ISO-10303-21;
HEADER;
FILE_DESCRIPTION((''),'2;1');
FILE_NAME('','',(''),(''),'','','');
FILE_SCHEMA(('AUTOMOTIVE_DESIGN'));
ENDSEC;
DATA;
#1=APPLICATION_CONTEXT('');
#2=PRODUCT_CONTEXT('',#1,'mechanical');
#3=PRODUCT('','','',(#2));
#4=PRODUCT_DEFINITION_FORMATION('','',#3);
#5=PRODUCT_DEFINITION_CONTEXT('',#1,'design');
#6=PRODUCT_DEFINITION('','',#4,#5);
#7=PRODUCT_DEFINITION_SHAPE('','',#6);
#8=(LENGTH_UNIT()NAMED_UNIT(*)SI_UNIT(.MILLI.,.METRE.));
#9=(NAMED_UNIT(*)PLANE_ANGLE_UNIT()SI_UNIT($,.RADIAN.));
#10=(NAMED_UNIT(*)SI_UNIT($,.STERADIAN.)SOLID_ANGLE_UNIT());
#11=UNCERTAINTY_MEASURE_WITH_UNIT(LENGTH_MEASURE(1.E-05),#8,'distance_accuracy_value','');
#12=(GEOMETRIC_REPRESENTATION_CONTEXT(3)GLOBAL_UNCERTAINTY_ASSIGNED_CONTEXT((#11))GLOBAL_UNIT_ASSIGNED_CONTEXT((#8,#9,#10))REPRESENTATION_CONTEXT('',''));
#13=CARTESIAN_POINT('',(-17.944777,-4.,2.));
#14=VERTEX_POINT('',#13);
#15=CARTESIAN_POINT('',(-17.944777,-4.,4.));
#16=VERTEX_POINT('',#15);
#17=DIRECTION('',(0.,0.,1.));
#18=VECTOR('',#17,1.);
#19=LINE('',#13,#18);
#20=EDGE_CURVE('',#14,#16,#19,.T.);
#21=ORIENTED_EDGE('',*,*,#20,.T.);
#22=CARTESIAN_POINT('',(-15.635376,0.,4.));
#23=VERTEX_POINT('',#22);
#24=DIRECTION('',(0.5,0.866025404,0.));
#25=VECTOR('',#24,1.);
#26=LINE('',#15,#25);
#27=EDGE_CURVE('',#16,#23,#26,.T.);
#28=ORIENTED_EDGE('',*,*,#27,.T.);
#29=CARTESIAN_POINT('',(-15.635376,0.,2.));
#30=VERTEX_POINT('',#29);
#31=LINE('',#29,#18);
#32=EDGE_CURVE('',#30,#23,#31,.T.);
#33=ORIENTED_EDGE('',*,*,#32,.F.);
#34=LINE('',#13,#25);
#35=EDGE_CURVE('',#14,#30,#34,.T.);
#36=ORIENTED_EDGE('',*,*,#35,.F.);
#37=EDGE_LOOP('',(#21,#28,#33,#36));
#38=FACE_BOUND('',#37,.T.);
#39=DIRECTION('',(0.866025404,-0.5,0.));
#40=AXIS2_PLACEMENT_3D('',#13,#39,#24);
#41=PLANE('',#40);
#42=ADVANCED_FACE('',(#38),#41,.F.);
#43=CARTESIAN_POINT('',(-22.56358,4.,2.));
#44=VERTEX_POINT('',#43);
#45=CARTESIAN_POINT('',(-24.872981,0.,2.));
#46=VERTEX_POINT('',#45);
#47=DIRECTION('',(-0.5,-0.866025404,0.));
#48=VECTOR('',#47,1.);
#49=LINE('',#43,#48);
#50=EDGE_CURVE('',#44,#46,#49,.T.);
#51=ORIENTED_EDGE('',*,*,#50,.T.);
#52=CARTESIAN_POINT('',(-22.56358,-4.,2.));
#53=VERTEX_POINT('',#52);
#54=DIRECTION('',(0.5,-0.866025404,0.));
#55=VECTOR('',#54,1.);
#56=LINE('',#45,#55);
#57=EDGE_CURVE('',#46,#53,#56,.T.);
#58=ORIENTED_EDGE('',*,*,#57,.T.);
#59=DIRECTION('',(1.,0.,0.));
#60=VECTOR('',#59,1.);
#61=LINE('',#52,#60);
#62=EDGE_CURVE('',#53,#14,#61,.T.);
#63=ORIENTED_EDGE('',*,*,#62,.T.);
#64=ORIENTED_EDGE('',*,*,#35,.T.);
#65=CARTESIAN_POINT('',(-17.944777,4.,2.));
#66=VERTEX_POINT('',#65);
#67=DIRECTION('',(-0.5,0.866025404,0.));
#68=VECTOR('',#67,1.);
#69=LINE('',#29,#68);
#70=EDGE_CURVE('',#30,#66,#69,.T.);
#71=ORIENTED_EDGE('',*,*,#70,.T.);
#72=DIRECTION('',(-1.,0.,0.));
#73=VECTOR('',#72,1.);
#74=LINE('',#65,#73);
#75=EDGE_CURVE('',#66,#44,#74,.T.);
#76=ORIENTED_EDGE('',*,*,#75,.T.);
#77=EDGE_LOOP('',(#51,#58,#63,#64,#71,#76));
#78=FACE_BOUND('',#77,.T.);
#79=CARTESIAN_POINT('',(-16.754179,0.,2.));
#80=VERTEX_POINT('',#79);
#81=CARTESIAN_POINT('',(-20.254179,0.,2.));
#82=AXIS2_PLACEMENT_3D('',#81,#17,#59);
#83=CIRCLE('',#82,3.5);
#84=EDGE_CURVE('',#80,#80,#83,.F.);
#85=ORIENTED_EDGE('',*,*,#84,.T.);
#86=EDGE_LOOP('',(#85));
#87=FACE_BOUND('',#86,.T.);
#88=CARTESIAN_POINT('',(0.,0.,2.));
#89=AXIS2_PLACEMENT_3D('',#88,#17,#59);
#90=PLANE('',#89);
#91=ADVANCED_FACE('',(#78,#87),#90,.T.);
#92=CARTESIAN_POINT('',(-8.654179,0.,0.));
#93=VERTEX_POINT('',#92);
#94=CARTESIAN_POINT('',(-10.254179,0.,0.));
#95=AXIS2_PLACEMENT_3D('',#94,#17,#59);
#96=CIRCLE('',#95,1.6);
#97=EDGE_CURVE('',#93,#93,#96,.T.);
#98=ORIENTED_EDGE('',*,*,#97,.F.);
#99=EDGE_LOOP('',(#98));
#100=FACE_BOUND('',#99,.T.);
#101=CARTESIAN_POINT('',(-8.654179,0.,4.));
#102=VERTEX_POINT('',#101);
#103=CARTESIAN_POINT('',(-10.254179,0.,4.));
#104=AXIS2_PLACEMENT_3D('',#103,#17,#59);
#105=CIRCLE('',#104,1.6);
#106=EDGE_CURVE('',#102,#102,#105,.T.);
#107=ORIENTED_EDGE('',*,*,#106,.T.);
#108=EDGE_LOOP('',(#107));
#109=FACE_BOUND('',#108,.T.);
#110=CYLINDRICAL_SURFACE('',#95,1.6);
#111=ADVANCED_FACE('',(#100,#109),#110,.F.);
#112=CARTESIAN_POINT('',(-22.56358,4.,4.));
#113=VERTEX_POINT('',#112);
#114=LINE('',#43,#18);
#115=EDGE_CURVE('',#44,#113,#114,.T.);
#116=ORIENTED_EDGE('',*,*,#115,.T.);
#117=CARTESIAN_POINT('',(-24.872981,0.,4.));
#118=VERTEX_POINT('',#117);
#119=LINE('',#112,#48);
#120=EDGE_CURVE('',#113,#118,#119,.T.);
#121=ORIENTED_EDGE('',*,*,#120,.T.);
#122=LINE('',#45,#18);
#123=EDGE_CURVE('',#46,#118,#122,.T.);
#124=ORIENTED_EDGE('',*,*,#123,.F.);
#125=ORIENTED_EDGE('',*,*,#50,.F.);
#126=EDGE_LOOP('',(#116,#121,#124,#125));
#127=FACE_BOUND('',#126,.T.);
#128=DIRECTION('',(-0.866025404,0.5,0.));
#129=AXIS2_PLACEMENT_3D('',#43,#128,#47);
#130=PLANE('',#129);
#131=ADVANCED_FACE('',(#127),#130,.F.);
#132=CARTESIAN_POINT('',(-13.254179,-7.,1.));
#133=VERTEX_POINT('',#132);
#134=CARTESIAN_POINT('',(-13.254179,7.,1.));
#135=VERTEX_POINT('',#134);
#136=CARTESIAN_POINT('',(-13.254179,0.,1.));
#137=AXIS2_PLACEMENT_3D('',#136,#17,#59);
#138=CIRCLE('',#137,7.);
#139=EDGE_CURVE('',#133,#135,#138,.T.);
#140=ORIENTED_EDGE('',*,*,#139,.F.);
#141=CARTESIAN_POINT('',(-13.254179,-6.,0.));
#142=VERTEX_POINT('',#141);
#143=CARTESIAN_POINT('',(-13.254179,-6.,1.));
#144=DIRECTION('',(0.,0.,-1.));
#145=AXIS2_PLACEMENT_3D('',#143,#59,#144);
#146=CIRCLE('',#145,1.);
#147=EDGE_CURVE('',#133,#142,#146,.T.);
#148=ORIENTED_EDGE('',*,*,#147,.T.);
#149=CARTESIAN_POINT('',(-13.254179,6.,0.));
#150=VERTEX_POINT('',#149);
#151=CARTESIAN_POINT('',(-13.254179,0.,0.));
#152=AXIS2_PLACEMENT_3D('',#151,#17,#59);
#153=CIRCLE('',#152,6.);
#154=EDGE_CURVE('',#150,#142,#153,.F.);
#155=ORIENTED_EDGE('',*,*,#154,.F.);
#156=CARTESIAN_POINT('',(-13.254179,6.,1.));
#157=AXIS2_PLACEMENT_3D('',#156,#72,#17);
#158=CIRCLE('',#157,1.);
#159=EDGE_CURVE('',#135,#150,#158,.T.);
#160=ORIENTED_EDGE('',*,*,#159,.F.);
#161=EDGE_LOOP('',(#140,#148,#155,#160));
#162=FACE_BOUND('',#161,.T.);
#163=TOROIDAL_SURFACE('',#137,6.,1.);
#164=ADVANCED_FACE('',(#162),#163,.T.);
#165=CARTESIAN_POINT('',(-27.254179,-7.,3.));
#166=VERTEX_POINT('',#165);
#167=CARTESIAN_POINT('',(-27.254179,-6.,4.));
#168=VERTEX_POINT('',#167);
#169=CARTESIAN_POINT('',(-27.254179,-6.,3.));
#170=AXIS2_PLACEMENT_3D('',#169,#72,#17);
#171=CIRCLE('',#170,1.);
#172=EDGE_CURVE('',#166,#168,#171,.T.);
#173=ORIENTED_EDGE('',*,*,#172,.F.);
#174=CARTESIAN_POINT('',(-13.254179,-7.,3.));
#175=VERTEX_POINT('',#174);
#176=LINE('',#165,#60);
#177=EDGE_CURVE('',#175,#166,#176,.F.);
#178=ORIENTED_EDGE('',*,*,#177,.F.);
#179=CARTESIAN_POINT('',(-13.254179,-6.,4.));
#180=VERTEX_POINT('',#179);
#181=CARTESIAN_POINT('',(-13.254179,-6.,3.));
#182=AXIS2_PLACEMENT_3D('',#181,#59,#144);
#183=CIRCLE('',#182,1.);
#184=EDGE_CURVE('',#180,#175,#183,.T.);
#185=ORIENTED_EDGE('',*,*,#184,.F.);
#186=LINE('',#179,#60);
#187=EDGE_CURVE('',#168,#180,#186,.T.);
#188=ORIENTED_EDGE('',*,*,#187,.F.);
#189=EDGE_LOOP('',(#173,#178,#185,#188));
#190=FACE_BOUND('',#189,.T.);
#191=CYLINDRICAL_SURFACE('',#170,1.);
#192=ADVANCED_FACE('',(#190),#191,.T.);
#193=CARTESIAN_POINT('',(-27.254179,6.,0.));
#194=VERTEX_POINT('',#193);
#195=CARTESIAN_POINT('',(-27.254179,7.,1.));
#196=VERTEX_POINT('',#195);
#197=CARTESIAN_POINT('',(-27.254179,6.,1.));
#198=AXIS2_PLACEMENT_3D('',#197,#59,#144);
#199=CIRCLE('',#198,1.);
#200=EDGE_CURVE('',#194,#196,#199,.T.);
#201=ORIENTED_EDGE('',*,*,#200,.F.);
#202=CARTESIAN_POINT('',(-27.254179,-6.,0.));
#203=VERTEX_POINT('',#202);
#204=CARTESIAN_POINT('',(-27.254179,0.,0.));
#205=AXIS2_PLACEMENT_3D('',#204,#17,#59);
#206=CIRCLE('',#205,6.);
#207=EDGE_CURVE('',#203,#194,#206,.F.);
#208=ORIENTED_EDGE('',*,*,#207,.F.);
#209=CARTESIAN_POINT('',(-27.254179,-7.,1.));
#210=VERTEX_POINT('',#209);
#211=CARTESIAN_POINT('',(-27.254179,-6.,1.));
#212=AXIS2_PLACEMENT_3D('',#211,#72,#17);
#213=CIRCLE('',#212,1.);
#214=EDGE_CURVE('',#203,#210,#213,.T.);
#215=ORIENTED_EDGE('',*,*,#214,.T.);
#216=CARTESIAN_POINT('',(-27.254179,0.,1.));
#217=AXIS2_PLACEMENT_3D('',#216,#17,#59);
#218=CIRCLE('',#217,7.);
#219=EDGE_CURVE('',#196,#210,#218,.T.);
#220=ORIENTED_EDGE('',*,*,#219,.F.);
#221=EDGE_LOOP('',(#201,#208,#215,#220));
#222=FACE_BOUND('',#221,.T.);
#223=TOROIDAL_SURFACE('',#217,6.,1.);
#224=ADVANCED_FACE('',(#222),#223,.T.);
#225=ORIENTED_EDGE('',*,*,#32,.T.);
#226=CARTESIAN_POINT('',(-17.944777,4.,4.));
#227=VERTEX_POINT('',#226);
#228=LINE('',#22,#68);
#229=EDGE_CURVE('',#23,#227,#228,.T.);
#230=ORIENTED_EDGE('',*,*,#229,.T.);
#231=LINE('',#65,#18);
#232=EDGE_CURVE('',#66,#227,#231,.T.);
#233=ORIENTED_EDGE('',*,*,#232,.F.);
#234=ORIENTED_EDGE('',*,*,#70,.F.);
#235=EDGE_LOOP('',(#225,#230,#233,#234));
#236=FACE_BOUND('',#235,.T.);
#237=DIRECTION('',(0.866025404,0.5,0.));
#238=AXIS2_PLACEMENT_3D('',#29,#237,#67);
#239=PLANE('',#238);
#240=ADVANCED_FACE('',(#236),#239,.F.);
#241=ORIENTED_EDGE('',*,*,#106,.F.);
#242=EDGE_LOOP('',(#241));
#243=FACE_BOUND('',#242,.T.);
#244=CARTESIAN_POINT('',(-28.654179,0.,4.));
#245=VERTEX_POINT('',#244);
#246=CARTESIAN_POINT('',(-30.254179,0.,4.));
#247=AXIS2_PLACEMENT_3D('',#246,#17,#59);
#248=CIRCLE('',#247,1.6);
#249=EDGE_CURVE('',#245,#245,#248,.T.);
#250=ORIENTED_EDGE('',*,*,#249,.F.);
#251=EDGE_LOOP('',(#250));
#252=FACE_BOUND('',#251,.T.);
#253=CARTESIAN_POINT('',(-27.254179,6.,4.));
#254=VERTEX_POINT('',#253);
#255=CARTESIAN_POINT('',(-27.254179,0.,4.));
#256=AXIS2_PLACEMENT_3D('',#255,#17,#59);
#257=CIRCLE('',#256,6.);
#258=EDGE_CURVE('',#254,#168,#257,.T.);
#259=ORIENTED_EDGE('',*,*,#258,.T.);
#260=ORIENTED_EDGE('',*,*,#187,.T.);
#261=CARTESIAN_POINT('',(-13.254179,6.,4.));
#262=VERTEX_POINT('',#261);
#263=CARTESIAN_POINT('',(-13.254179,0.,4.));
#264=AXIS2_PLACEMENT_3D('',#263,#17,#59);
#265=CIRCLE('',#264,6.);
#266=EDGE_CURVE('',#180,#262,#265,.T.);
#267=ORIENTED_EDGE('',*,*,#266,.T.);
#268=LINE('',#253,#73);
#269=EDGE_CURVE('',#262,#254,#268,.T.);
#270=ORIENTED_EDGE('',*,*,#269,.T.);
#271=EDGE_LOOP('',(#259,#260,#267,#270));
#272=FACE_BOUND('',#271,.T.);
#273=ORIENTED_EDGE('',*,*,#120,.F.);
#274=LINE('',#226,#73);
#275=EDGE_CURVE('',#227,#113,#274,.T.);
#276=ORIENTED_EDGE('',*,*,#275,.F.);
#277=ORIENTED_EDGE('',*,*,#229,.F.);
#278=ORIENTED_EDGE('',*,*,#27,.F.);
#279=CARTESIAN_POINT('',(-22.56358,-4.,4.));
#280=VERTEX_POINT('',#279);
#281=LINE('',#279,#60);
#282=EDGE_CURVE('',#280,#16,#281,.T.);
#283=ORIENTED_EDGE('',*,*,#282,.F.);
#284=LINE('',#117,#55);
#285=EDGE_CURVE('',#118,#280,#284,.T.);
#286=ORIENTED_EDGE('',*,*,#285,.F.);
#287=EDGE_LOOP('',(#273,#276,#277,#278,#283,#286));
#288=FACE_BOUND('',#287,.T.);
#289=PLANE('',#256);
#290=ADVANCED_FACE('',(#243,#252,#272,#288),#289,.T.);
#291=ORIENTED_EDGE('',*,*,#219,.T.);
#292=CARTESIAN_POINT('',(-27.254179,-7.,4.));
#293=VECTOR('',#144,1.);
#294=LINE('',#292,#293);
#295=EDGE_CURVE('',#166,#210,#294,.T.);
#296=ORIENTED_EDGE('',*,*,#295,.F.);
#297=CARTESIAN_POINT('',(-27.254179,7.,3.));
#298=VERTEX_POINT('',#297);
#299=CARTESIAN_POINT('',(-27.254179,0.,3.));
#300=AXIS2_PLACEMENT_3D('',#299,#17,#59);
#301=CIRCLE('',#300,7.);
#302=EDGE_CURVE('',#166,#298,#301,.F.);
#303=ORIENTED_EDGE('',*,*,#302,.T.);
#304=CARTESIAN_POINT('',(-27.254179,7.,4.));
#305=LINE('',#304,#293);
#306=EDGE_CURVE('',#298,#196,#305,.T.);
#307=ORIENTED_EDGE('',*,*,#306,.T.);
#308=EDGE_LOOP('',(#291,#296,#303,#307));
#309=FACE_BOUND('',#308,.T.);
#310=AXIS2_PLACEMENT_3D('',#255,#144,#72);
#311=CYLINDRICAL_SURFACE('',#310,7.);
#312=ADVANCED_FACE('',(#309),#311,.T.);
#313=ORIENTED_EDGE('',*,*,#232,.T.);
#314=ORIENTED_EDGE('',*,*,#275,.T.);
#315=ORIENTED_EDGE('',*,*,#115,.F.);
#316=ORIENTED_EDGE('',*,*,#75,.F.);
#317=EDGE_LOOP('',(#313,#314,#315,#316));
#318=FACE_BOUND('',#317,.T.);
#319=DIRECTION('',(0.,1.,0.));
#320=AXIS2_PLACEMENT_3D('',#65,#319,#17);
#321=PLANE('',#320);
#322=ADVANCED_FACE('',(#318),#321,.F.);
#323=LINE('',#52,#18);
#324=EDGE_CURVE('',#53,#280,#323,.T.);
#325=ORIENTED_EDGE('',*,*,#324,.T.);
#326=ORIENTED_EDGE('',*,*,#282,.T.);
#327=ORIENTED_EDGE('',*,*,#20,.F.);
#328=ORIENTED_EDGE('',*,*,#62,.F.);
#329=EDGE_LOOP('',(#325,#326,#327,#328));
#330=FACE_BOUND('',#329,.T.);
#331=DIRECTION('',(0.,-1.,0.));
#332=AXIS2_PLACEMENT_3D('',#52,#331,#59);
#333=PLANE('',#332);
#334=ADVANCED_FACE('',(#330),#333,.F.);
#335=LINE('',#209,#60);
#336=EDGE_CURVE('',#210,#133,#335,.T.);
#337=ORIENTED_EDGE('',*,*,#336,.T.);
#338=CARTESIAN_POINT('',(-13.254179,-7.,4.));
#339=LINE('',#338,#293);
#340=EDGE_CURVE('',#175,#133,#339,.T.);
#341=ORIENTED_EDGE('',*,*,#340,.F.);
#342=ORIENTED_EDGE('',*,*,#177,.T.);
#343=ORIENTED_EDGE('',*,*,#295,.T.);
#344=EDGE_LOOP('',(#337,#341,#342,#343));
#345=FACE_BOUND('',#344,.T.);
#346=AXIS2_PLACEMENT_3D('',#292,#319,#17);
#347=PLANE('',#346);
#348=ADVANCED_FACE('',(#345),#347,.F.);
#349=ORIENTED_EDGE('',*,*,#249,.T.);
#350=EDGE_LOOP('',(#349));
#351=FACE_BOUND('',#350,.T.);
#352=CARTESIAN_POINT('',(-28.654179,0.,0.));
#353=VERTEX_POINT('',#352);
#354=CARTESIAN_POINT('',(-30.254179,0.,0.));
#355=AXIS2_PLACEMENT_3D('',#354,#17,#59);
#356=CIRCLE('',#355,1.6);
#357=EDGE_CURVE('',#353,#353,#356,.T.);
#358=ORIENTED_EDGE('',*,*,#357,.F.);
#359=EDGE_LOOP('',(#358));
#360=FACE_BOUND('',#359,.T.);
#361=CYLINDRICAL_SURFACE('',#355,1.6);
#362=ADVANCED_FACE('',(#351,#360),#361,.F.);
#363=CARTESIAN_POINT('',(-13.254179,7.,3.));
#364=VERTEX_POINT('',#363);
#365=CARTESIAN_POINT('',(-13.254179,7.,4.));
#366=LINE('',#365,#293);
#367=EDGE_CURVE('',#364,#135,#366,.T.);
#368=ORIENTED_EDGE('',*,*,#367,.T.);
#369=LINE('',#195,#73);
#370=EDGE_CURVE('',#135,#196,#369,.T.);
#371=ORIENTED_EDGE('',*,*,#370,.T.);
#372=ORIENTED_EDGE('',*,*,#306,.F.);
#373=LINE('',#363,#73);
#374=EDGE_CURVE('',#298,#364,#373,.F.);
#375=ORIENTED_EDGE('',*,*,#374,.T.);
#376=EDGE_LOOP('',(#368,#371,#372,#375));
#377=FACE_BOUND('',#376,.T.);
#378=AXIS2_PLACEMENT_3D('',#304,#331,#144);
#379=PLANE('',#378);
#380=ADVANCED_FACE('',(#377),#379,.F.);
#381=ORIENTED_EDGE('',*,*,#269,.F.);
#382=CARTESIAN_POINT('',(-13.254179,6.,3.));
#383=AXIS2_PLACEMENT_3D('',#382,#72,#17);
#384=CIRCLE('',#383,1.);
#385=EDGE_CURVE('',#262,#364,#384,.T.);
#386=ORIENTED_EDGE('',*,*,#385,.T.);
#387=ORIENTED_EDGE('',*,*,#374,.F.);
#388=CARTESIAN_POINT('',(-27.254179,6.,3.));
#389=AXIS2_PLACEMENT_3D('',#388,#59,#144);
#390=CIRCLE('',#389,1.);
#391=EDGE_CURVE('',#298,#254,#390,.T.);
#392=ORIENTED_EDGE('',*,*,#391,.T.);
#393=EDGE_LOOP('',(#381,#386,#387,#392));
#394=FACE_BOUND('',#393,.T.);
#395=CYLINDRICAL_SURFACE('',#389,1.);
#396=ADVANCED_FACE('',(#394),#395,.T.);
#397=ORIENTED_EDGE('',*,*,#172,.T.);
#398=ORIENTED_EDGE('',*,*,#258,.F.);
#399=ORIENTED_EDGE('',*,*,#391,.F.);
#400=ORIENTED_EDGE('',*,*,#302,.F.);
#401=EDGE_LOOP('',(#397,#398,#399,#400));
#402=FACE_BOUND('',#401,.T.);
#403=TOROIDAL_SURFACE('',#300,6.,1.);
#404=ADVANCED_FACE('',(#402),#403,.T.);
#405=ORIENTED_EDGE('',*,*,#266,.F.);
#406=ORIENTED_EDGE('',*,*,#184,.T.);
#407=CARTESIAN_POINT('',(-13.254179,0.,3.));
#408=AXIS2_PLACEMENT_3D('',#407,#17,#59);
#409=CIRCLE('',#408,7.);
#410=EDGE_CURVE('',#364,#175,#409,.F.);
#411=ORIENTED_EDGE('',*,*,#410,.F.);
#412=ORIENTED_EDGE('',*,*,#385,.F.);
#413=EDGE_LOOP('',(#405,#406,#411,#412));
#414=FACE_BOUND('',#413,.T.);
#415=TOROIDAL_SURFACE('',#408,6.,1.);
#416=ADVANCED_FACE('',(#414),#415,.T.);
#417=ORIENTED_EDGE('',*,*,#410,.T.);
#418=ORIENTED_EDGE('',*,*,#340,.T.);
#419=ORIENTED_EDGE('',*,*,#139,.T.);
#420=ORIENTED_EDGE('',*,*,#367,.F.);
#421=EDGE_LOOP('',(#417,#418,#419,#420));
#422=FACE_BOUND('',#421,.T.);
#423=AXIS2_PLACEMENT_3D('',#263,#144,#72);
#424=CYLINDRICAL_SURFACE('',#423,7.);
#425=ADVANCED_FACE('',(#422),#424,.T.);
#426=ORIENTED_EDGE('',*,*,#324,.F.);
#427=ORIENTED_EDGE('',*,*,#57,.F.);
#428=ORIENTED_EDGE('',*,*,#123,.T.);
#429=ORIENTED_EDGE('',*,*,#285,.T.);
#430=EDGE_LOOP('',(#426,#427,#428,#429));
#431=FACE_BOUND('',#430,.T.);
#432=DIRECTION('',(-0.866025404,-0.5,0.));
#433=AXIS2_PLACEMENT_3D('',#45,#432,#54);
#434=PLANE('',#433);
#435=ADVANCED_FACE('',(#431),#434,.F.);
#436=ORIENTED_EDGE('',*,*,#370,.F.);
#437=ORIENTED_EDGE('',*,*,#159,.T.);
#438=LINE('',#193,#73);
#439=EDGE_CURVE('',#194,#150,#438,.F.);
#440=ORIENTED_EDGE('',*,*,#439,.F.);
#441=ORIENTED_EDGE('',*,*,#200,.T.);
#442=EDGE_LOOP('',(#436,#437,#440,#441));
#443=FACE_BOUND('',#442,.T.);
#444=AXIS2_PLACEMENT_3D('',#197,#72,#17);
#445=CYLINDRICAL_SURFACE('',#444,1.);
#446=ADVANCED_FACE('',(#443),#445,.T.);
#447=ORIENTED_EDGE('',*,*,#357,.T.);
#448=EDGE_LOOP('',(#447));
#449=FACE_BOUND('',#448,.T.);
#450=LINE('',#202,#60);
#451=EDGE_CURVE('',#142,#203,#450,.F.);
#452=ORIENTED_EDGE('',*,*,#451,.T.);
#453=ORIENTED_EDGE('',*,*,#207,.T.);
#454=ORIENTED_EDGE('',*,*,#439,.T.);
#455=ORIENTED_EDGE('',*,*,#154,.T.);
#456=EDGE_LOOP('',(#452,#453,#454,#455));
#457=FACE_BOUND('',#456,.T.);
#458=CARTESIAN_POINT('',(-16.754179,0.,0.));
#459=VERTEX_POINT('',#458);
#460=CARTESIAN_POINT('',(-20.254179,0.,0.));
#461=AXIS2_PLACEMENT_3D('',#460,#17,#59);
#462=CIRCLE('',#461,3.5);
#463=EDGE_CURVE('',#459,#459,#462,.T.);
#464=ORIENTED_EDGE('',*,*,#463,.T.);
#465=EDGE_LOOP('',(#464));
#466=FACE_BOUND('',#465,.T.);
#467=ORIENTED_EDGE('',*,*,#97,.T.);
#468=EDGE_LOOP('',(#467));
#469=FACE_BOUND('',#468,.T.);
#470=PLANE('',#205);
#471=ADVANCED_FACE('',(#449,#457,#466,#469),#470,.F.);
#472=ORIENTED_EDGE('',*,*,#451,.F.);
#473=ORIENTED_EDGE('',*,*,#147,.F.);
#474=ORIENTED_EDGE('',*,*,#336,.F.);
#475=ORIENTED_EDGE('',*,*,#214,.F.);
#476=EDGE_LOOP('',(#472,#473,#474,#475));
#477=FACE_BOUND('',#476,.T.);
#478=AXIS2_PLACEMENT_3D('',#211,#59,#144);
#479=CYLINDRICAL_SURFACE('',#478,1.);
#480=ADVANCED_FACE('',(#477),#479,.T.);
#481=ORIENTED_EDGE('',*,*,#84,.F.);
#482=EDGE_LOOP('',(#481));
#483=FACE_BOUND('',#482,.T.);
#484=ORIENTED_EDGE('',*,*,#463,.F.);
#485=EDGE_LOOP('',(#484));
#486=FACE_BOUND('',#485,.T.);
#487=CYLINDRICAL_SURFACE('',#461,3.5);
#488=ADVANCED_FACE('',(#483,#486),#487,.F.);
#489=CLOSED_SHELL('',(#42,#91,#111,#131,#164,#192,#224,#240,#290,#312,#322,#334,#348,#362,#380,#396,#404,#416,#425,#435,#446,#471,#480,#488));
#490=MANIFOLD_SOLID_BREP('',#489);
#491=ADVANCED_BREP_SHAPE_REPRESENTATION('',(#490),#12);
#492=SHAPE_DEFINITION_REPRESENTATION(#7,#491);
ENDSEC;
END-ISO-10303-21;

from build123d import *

# Parameters (mm, degrees)
BOSS_EXTRU_1_DEPTH      = 4
ESQUISSE3_R             = 3.5
ESQUISSE3_R_2           = 1.6
ENL_V_MAT_EXTRU_1_DEPTH = 5
ENL_V_MAT_EXTRU_2_DEPTH = 2
CONG_1_R                = 1


with BuildPart() as part:
    # Esquisse1 → Boss.-Extru.1 (new body)
    with BuildSketch(Plane.XY):
        with BuildLine():
            Line((-27.254178511, 7), (-13.254178511, 7))
            ThreePointArc((-13.254178511, 7), (-6.254178511, 0), (-13.254178511, -7))
            Line((-13.254178511, -7), (-27.254178511, -7))
            ThreePointArc((-27.254178511, -7), (-34.254178511, 0), (-27.254178511, 7))
        make_face()
    extrude(amount=BOSS_EXTRU_1_DEPTH)

    # Esquisse3 → Enlèv. mat.-Extru.1 (cut, through all)
    with BuildSketch(Plane.XY.offset(4)):
        with Locations((-20.254178511, 0)):
            Circle(ESQUISSE3_R)
        with Locations((-30.254178511, 0)):
            Circle(ESQUISSE3_R_2)
        with Locations((-10.254178511, 0)):
            Circle(ESQUISSE3_R_2)
    extrude(amount=-ENL_V_MAT_EXTRU_1_DEPTH, mode=Mode.SUBTRACT)

    # Esquisse4 → Enlèv. mat.-Extru.2 (cut)
    with BuildSketch(Plane.XY.offset(4)):
        Polygon((-22.563579588, 4), (-24.872980665, 0), (-22.563579588, -4), (-17.944777434, -4), (-15.635376357, 0), (-17.944777434, 4), align=None)
    extrude(amount=-ENL_V_MAT_EXTRU_2_DEPTH, mode=Mode.SUBTRACT)

    # Congé1
    cong_1_edges = [part.edges().sort_by_distance(p)[0] for p in [
        (-6.254178511, 0, 4),
        (-20.254178511, 7, 4),
        (-34.254178511, 0, 4),
        (-20.254178511, 7, 0),
        (-6.254178511, 0, 0),
        (-20.254178511, -7, 0),
        (-34.254178511, 0, 0),
        (-20.254178511, -7, 4),
    ]]
    fillet(cong_1_edges, radius=CONG_1_R)


solid = part.part
